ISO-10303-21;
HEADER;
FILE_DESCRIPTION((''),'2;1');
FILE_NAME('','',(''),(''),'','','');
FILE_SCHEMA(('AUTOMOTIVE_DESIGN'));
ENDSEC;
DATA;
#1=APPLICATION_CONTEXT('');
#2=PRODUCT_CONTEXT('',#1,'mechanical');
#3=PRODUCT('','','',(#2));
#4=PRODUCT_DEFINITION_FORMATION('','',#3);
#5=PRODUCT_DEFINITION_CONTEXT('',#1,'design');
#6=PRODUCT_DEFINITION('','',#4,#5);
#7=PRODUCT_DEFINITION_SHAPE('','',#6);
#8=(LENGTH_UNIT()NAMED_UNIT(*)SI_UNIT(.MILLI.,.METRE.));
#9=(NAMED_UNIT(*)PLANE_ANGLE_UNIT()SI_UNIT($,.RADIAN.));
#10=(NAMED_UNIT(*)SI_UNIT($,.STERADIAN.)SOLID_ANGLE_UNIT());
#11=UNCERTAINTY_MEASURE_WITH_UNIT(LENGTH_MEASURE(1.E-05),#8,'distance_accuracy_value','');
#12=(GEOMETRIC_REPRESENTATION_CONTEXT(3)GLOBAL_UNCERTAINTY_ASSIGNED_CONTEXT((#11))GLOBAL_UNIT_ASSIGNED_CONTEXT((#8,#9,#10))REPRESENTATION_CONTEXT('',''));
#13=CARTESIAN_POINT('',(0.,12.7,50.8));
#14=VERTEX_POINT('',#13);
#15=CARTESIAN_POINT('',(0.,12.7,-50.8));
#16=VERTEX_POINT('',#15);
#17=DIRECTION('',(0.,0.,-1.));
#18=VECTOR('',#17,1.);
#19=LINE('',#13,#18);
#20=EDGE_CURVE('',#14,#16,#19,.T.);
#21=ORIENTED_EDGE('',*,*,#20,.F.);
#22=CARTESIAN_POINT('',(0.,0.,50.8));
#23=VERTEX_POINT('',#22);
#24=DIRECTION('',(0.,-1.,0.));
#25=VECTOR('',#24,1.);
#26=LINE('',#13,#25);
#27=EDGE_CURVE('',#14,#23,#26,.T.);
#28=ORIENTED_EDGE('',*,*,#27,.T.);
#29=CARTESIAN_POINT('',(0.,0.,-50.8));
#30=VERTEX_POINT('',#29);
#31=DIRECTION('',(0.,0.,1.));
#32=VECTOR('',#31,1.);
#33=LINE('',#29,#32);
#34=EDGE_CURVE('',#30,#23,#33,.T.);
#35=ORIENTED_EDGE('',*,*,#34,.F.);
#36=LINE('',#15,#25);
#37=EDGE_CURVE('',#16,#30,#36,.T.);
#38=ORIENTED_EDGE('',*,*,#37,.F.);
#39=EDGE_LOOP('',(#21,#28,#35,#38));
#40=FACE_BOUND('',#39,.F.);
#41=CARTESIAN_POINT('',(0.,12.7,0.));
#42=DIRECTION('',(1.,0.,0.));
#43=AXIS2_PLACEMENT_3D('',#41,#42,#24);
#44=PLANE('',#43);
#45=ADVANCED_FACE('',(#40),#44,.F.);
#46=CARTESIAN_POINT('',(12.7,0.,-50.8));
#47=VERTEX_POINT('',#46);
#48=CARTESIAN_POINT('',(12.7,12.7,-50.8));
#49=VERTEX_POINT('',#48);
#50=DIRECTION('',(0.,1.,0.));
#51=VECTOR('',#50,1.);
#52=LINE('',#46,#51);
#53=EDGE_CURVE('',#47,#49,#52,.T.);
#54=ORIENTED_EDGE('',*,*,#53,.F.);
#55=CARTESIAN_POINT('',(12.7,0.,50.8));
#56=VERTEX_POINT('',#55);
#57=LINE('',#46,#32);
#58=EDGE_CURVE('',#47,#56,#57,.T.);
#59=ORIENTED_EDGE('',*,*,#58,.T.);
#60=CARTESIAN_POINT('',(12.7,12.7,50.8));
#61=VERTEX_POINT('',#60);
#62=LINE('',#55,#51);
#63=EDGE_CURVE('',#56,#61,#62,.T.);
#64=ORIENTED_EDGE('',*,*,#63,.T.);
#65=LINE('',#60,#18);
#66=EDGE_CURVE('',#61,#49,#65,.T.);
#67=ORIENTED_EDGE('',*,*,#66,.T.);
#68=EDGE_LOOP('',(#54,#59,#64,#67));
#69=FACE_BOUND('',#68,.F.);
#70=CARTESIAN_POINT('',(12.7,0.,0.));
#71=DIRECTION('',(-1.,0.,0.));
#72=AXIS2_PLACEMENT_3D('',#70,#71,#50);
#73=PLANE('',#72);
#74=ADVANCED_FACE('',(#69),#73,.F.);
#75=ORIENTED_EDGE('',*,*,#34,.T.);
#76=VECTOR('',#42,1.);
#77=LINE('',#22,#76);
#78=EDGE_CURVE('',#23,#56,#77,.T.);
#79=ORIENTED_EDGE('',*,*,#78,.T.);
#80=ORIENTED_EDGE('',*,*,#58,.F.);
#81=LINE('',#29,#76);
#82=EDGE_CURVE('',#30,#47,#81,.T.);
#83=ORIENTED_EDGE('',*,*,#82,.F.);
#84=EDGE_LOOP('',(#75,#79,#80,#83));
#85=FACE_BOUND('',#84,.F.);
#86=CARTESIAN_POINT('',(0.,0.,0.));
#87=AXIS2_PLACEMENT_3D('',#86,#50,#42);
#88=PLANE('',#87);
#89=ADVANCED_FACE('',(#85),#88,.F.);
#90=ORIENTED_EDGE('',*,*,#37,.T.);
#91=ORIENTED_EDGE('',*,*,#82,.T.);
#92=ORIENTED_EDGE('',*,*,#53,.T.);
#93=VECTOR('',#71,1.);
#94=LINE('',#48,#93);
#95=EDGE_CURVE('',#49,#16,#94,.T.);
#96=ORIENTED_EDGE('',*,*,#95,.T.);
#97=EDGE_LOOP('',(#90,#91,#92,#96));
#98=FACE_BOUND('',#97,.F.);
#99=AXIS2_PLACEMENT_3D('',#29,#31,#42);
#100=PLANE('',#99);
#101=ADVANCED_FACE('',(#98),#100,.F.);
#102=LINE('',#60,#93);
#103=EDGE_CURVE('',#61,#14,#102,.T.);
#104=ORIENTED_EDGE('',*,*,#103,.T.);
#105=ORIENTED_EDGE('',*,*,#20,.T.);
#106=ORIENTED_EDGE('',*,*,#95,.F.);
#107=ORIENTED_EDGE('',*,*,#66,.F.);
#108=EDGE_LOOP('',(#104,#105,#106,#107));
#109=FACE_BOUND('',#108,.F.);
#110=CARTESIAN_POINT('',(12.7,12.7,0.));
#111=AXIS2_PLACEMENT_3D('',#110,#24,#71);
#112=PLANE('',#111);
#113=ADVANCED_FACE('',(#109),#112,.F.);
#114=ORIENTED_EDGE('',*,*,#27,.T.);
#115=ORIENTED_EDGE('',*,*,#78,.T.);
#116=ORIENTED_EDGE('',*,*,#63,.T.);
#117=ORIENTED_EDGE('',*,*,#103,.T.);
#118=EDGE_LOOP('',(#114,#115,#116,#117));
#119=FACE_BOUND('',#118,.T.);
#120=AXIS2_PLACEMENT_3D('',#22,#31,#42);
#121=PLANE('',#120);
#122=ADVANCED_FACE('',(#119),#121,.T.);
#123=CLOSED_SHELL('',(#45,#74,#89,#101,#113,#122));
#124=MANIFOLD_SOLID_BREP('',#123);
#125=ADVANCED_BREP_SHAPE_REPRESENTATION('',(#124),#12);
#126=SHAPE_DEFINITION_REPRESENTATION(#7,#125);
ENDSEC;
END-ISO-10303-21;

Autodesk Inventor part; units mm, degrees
ref_plane "YZ Plane" through (0, 0, 0) normal (1, 0, 0) x (0, 1, 0)
ref_plane "XZ Plane" through (0, 0, 0) normal (0, 1, 0) x (-1, 0, 0)
ref_plane "XY Plane" through (0, 0, 0) normal (0, 0, 1) x (1, 0, 0)
sketch "Sketch1" plane through (0, 0, 0) normal (0, 0, 1) x (1, 0, 0)
  line L0 (0, 0) -> (12.7, 0)
  line L1 (12.7, 0) -> (12.7, 12.7)
  line L2 (12.7, 12.7) -> (0, 12.7)
  line L3 (0, 12.7) -> (0, 0)
  dimension "d0" = 12.7
  dimension "d1" = 12.7
extrude "Extrusion1" add sketch "Sketch1" along normal mid plane 101.6
ref_plane "Work Plane2" through (0, 0, 0) normal (0, 0, 1) x (1, 0, 0)
sketch "Sketch2" plane through (0, 12.7, -50.8) normal (0, 1, 0) x (1, 0, 0)
  circle A0 centre (-130.048, 177.8) radius 273.05 construction
  line L0 (12.7, -101.6) -> (0, -101.6) projected
  line L1 (0, 0) -> (0, -101.6) projected
  circle A1 centre (-130.048, 177.8) radius 273.05
  circle A2 centre (-130.048, 177.8) radius 457.3654
  point P0 (0, -50.8)
  dimension "d4" = 546.1
  dimension "d5" = 279.4
  dimension "d6" = 130.048
properties part number "CAR_005_PoplarShortestBrace" material "Wood (Birch)"
